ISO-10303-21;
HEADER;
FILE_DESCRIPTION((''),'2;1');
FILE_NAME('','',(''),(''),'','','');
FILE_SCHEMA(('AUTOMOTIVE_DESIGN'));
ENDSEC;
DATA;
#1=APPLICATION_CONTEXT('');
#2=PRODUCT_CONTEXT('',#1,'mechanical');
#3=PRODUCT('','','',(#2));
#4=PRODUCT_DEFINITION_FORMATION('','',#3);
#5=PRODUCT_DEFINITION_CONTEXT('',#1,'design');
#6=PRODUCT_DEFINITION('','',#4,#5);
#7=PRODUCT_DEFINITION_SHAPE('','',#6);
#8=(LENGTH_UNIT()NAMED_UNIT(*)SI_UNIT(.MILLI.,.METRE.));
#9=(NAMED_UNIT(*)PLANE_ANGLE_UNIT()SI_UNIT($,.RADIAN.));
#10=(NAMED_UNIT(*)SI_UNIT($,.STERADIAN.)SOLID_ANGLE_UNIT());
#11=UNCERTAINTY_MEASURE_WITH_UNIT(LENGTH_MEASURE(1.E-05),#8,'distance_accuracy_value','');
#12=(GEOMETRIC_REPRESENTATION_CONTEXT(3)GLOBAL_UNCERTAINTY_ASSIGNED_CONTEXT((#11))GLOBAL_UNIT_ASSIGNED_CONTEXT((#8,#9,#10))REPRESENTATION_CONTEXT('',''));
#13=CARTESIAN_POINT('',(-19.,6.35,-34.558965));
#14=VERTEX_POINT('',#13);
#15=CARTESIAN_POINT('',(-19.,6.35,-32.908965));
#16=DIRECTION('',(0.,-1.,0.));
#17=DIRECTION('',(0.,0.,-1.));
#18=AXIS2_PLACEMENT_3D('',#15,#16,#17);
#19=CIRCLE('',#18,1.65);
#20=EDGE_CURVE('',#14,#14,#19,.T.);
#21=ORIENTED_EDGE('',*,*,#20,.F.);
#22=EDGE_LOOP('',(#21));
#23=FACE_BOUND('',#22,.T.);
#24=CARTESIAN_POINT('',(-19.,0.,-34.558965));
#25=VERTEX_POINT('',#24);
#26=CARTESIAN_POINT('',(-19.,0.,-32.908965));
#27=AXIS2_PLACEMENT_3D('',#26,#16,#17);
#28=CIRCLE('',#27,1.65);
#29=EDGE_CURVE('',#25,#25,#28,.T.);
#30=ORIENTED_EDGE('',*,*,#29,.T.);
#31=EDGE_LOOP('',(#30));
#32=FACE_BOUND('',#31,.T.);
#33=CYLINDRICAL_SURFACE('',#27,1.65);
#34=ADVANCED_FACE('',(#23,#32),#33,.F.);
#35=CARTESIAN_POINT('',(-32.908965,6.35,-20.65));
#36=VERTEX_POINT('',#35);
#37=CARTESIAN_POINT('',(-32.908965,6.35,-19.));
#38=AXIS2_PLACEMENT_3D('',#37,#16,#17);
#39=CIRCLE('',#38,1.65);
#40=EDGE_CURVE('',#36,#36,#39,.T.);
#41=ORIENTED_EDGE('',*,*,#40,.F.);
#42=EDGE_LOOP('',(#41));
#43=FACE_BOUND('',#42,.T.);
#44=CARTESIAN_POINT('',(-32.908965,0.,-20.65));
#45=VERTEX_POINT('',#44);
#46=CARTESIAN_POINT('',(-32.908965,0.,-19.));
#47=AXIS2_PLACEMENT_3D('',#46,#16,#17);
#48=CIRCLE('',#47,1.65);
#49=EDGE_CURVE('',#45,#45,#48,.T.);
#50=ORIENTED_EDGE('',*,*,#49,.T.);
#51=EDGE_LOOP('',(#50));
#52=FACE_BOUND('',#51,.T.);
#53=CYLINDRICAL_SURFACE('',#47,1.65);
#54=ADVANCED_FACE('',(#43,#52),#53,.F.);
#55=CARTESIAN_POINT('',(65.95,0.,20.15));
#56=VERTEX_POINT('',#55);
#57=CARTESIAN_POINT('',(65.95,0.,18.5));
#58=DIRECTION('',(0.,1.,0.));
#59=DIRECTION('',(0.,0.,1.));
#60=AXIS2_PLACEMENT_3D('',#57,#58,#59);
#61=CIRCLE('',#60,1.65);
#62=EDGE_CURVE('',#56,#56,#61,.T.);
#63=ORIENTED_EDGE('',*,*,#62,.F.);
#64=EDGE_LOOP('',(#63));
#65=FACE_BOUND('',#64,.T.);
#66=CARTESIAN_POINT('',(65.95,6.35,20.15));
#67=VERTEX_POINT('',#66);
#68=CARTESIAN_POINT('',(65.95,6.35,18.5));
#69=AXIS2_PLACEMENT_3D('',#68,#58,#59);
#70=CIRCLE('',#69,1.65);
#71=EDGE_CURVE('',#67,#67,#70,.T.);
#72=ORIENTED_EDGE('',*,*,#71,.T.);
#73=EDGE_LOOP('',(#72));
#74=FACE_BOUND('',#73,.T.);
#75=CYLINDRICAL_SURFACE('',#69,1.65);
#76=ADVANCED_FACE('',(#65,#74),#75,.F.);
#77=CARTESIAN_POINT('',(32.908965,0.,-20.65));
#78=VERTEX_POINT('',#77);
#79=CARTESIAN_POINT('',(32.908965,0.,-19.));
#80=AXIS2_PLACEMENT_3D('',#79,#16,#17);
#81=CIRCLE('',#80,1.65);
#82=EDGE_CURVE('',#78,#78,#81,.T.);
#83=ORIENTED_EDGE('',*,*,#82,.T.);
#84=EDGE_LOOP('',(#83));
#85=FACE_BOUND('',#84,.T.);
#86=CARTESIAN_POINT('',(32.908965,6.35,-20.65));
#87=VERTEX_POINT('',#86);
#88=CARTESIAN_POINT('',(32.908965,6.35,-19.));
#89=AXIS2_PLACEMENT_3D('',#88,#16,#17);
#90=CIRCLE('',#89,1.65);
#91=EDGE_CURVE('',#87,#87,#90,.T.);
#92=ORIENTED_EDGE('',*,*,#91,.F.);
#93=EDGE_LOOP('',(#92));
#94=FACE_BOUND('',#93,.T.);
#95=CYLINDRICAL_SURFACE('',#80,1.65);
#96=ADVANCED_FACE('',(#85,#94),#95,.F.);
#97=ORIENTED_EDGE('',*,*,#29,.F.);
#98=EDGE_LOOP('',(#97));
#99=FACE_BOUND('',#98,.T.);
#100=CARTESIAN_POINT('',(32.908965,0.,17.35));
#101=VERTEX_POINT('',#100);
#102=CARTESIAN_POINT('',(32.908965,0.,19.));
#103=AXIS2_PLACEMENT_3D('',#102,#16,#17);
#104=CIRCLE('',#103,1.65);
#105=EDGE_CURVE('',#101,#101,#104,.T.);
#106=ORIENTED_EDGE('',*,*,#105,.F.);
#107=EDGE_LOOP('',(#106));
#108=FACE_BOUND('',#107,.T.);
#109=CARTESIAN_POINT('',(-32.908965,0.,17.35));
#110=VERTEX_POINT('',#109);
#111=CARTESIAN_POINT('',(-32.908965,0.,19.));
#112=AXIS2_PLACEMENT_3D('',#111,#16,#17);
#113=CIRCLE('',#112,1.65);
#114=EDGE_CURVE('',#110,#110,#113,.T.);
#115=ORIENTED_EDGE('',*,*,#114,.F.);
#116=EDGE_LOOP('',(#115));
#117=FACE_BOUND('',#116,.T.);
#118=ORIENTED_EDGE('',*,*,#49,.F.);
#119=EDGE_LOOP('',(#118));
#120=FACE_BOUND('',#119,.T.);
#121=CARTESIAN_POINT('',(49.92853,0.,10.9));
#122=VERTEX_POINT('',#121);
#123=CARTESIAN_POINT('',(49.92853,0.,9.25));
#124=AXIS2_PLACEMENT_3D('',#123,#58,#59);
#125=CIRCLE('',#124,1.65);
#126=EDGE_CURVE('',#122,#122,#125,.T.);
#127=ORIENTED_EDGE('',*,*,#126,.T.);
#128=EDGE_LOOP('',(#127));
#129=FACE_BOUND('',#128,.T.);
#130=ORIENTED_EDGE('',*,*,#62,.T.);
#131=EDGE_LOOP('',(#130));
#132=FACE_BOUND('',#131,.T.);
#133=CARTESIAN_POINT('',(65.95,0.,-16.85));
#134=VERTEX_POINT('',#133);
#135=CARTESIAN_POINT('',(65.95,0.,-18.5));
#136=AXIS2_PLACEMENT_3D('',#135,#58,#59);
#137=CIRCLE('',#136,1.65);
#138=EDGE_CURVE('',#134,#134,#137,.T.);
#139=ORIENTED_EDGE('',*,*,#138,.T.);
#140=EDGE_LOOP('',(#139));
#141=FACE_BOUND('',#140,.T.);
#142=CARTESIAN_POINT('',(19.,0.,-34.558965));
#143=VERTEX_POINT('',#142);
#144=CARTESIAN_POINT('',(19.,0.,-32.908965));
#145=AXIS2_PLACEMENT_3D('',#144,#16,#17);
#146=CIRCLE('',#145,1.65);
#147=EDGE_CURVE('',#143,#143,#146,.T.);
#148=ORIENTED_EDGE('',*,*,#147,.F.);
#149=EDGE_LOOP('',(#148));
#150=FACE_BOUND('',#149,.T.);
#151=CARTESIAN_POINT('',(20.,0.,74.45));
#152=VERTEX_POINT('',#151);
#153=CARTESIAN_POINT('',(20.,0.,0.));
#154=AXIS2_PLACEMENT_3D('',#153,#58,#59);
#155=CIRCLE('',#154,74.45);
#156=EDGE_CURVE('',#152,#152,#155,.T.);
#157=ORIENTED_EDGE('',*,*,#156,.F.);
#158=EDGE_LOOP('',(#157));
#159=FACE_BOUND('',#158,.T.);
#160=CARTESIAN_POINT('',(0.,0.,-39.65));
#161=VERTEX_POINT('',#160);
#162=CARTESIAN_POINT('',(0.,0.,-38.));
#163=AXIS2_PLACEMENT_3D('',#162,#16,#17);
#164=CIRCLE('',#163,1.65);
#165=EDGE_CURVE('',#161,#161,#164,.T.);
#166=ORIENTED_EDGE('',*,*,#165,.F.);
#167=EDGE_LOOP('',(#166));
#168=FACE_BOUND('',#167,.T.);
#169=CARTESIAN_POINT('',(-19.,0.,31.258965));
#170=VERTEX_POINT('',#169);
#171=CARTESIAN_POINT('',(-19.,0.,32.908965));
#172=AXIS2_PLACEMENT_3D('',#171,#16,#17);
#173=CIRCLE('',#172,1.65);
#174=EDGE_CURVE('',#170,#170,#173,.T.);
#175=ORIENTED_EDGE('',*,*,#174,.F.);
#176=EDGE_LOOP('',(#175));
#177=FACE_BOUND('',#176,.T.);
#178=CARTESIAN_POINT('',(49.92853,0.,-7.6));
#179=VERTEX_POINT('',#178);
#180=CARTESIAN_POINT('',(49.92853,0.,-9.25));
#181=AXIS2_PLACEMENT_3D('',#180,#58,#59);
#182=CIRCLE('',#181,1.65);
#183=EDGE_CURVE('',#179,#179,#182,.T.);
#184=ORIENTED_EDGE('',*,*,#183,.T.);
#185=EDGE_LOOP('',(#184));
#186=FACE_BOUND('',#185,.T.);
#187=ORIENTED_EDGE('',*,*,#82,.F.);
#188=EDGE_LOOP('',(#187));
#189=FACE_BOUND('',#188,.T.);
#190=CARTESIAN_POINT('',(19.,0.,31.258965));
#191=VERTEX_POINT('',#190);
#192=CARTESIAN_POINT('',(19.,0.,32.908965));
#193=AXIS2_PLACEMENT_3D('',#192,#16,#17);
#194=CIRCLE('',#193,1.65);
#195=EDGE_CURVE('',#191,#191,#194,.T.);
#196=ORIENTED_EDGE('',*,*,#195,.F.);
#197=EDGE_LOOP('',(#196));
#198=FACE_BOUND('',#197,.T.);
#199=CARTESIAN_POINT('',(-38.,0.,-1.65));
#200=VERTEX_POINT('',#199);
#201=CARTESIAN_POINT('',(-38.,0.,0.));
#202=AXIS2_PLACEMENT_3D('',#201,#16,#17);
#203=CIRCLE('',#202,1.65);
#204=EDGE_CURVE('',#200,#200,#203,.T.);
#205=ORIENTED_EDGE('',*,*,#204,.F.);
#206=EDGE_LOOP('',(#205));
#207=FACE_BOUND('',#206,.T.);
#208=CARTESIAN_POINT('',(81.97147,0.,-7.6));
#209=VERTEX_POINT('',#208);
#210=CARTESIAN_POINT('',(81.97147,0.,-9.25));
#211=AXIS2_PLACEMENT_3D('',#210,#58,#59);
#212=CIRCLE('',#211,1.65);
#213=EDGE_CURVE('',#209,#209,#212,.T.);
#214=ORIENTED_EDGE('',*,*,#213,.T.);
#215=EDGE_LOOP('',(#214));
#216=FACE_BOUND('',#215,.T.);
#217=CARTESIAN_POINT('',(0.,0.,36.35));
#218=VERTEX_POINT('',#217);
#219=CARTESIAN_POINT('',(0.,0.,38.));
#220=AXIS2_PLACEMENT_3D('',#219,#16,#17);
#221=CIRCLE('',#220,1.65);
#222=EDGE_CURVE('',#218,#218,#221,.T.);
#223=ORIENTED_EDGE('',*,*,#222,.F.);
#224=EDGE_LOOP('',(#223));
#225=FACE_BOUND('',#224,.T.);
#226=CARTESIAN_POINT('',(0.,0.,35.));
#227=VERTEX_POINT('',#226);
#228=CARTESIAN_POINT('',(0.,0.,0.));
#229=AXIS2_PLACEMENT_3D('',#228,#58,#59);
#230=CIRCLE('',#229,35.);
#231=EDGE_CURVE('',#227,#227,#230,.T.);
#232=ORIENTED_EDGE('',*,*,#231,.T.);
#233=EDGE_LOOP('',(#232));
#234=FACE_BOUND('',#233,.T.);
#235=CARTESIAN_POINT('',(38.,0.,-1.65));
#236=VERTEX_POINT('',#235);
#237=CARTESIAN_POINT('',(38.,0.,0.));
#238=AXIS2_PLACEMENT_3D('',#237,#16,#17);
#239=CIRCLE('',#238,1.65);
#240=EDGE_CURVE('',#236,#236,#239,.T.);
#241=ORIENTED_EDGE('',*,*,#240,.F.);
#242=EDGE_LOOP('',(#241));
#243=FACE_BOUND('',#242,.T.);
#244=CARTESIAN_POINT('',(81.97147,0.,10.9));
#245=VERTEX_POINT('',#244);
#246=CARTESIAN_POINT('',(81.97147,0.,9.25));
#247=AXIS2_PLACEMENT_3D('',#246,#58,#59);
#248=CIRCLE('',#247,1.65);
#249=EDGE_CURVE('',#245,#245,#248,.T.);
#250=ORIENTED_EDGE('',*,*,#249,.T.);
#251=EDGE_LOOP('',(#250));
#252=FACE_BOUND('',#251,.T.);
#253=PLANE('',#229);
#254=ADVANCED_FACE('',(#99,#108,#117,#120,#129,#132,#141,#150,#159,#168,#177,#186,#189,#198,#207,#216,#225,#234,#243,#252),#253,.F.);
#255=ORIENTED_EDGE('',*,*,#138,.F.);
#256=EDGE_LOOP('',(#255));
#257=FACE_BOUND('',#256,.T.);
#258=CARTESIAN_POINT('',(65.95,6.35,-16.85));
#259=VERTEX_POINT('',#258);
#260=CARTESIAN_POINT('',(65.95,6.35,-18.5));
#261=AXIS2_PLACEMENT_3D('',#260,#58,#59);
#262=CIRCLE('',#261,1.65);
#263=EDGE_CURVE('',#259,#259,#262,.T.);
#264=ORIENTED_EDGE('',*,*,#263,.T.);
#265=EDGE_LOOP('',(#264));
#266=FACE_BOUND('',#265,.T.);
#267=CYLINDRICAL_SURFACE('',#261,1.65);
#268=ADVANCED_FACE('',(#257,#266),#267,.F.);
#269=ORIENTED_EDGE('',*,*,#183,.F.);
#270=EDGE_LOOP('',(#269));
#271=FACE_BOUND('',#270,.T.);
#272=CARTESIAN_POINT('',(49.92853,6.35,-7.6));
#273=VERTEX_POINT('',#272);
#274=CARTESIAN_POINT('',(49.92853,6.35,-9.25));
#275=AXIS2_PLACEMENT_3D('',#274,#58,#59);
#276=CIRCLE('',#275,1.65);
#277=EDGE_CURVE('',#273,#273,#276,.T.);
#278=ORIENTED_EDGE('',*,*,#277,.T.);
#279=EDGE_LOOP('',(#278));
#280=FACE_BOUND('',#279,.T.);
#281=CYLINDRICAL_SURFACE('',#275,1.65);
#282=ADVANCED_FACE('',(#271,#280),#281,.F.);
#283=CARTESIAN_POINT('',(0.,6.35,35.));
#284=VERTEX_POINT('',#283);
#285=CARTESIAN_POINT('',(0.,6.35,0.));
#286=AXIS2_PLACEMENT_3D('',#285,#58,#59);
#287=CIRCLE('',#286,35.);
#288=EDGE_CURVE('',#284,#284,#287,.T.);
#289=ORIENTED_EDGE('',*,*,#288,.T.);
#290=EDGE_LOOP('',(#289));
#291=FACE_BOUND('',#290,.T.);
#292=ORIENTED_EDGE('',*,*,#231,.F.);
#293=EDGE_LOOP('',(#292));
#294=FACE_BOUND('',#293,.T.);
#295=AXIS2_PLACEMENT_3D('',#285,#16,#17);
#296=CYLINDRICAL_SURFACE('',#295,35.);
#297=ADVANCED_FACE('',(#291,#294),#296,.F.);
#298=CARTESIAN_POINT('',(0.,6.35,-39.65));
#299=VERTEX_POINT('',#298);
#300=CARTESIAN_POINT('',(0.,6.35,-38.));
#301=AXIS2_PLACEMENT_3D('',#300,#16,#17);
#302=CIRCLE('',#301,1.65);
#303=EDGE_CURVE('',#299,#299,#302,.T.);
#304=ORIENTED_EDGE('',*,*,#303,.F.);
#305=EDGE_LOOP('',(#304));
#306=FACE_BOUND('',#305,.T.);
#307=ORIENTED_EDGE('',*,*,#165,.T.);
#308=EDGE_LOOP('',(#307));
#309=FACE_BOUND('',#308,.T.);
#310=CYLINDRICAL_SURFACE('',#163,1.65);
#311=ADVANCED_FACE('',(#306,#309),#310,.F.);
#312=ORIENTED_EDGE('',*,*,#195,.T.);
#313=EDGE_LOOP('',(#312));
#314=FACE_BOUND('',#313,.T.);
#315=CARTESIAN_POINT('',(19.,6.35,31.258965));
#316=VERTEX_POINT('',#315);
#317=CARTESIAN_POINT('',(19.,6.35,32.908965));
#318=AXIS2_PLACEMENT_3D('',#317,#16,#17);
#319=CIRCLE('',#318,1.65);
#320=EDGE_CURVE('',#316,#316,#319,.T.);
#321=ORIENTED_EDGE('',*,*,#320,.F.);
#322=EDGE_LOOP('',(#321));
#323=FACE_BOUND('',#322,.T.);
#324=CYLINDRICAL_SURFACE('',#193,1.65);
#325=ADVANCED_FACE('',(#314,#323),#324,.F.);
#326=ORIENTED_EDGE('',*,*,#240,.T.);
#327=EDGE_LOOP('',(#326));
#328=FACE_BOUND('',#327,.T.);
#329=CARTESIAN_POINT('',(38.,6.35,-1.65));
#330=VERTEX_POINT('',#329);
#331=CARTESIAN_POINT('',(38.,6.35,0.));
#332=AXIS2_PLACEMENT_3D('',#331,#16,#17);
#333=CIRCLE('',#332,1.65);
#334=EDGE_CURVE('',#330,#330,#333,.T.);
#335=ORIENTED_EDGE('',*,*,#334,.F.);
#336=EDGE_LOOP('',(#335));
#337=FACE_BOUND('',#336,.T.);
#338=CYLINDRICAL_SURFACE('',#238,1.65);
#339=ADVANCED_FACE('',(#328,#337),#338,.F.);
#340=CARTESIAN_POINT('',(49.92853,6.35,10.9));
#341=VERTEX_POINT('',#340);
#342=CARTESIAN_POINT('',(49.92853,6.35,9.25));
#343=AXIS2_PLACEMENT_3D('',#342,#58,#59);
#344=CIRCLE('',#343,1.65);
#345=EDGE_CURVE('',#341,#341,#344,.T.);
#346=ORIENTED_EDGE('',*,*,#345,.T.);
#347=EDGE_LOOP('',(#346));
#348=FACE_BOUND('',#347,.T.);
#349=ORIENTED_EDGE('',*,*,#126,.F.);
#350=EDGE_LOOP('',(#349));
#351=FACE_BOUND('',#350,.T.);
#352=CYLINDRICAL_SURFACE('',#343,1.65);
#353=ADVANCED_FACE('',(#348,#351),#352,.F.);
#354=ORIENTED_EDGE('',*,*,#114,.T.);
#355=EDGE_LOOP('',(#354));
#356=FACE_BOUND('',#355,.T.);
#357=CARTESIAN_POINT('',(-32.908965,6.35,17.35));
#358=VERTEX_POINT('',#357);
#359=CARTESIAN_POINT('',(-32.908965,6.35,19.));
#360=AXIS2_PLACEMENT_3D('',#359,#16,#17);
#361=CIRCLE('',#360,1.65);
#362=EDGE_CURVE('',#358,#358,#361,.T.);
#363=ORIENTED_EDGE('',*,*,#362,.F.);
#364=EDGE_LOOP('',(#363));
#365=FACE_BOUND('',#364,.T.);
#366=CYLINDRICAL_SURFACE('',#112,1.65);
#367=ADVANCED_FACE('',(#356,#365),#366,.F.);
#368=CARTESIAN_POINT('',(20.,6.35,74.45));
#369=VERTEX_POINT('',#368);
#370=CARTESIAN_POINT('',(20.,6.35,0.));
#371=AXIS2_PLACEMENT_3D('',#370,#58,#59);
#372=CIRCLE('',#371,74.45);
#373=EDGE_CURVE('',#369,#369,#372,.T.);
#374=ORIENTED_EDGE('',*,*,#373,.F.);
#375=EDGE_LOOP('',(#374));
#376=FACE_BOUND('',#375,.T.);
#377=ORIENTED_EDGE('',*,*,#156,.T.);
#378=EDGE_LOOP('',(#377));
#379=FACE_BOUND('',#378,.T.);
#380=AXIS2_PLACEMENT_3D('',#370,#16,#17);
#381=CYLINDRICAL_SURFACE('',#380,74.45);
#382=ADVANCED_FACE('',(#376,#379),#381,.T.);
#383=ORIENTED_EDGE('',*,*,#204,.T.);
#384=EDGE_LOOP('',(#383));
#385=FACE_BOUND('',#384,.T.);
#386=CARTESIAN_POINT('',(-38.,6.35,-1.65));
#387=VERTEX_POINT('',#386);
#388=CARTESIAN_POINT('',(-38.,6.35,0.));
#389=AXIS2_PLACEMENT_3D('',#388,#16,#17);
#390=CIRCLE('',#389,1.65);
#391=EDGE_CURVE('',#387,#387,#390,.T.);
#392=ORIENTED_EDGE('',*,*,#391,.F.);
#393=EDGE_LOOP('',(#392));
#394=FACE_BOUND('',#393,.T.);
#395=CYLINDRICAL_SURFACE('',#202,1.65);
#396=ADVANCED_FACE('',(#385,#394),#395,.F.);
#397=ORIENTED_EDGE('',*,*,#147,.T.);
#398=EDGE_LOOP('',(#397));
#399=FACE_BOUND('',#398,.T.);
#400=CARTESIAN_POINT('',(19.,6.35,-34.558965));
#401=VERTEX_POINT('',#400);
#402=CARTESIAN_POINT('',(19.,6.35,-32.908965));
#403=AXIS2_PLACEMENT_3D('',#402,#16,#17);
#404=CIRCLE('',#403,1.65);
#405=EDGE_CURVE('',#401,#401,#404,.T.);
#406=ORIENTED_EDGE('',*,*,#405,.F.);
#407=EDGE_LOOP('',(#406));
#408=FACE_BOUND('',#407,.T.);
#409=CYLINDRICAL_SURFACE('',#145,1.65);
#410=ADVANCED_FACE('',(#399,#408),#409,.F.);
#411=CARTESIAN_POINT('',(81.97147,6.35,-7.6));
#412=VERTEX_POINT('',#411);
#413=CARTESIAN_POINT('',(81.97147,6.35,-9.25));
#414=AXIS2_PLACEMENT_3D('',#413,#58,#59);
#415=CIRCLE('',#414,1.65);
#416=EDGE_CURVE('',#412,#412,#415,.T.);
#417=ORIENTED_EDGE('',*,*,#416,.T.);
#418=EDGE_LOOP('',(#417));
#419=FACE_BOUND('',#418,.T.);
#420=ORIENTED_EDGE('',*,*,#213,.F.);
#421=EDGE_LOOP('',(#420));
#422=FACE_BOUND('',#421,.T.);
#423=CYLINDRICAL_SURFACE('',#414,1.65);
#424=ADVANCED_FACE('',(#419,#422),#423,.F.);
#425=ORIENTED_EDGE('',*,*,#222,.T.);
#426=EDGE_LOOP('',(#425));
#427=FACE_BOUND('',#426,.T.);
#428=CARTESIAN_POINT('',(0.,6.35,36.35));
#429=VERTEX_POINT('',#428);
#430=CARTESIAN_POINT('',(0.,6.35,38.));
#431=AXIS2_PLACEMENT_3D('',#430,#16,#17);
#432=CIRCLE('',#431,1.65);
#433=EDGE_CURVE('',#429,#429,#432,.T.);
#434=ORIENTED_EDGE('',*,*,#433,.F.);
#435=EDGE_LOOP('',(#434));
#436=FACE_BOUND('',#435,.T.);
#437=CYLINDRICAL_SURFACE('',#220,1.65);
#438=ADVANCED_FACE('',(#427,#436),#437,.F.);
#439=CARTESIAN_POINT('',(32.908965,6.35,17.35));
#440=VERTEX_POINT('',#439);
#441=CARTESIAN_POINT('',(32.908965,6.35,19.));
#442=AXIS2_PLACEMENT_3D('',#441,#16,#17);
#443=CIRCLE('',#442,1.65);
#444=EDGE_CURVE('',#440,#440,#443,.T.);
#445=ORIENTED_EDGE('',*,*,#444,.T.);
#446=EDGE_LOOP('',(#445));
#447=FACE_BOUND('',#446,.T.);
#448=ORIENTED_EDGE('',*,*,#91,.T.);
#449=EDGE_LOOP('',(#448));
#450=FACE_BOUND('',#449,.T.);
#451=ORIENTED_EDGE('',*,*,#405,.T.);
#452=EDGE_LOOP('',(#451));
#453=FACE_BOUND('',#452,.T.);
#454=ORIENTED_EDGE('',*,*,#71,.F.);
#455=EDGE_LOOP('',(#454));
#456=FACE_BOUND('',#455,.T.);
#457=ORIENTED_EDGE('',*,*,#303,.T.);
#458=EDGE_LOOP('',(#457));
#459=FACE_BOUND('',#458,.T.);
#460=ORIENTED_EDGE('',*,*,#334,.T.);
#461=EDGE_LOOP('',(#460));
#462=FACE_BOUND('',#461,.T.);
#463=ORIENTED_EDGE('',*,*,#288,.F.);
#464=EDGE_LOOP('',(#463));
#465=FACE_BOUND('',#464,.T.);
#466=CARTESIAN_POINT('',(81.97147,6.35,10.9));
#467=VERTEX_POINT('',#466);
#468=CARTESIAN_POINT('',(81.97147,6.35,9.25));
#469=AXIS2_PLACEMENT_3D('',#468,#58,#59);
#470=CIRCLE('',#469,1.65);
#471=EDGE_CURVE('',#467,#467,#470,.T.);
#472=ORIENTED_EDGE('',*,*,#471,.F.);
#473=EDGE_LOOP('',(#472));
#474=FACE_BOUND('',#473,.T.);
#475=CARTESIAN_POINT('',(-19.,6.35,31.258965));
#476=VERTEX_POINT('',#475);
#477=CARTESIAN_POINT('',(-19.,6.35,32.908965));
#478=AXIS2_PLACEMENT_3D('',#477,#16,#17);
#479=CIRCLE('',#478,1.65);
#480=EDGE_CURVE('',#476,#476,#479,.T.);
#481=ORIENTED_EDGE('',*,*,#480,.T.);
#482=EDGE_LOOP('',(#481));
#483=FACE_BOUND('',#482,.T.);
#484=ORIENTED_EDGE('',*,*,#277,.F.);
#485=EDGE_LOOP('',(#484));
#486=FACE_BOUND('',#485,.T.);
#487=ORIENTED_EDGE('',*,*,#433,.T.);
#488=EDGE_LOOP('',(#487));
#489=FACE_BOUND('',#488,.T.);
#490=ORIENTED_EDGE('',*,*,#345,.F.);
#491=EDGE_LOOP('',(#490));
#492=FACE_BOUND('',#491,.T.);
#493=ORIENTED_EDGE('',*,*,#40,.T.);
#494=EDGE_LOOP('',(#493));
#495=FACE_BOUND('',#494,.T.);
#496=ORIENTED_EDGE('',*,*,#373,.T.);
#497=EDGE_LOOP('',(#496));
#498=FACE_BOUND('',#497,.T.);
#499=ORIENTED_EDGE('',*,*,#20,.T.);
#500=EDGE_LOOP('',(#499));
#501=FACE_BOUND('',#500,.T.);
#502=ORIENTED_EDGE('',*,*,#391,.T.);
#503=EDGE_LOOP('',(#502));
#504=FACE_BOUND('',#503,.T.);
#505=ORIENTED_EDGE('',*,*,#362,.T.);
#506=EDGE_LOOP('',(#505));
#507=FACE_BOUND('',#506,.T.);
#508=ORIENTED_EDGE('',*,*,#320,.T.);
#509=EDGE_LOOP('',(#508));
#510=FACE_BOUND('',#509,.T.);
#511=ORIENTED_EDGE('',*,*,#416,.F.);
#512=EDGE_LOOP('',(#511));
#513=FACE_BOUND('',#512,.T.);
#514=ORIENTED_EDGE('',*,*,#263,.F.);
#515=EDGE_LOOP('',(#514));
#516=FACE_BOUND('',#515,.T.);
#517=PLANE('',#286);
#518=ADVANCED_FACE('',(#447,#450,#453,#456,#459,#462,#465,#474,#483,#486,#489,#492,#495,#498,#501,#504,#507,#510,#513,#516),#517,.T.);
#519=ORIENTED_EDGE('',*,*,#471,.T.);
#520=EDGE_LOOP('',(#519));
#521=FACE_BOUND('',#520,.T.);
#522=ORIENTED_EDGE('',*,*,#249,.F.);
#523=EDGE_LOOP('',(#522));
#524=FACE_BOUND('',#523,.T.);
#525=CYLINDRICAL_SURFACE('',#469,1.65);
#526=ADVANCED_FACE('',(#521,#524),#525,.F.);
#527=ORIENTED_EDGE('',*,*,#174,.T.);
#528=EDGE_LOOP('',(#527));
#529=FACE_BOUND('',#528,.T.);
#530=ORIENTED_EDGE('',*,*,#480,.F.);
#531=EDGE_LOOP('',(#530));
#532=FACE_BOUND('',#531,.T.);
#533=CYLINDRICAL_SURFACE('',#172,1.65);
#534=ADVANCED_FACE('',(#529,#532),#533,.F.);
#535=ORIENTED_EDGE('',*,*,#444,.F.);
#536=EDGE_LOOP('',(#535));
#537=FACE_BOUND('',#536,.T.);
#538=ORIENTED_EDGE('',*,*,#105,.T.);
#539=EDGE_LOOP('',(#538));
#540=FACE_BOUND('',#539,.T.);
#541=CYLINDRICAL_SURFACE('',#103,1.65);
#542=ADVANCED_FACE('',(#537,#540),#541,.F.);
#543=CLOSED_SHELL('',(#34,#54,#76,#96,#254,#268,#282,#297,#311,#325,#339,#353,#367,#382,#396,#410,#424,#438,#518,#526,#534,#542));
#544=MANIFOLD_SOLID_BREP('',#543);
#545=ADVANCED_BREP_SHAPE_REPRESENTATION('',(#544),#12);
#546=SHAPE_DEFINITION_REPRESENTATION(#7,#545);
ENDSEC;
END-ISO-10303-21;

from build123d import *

# Parameters (mm, degrees)
SKETCH1_R                       = 74.45
SKETCH1_R_2                     = 35
BOSS_EXTRUDE1_DEPTH             = 6.35
M4X0_7_TAPPED_HOLE1_D           = 3.3
M4X0_7_TAPPED_HOLE1_ON_FACE_2_D = 3.3


with BuildPart() as part:
    # Sketch1 → Boss-Extrude1 (new body)
    with BuildSketch(Plane(origin=(0, 0, 0), x_dir=(1, 0, 0), z_dir=(0, 1, 0))):
        with Locations(Location((20, 0, 0), (0, 0, 270))):
            Circle(SKETCH1_R)
        with Locations(Location((0, 0, 0), (0, 0, 270))):
            Circle(SKETCH1_R_2, mode=Mode.SUBTRACT)
    extrude(amount=BOSS_EXTRUDE1_DEPTH)

    # M4x0.7 Tapped Hole1 (through all)
    with Locations(Plane(origin=(0, 0, -38), x_dir=(0, 0, -1), z_dir=(0, -1, 0))):
        with Locations((0, 0), (-5.091034656, -19), (-19, -32.908965344), (-38, -38), (-57, -32.908965344), (-70.908965344, -19), (-76, 0), (-70.908965344, 19), (-57, 32.908965344), (-38, 38), (-5.091034656, 19), (-19, 32.908965344)):
            Hole(M4X0_7_TAPPED_HOLE1_D / 2)

    # M4x0.7 Tapped Hole1 on face 2 (through all)
    with Locations(Plane(origin=(65.95, 6.35, -18.5), x_dir=(0, 0, 1), z_dir=(0, 1, 0))):
        with Locations((0, 0), (9.25, 16.02146997), (27.75, 16.02146997), (37, 0), (27.75, -16.02146997), (9.25, -16.02146997)):
            Hole(M4X0_7_TAPPED_HOLE1_ON_FACE_2_D / 2)


solid = part.part
